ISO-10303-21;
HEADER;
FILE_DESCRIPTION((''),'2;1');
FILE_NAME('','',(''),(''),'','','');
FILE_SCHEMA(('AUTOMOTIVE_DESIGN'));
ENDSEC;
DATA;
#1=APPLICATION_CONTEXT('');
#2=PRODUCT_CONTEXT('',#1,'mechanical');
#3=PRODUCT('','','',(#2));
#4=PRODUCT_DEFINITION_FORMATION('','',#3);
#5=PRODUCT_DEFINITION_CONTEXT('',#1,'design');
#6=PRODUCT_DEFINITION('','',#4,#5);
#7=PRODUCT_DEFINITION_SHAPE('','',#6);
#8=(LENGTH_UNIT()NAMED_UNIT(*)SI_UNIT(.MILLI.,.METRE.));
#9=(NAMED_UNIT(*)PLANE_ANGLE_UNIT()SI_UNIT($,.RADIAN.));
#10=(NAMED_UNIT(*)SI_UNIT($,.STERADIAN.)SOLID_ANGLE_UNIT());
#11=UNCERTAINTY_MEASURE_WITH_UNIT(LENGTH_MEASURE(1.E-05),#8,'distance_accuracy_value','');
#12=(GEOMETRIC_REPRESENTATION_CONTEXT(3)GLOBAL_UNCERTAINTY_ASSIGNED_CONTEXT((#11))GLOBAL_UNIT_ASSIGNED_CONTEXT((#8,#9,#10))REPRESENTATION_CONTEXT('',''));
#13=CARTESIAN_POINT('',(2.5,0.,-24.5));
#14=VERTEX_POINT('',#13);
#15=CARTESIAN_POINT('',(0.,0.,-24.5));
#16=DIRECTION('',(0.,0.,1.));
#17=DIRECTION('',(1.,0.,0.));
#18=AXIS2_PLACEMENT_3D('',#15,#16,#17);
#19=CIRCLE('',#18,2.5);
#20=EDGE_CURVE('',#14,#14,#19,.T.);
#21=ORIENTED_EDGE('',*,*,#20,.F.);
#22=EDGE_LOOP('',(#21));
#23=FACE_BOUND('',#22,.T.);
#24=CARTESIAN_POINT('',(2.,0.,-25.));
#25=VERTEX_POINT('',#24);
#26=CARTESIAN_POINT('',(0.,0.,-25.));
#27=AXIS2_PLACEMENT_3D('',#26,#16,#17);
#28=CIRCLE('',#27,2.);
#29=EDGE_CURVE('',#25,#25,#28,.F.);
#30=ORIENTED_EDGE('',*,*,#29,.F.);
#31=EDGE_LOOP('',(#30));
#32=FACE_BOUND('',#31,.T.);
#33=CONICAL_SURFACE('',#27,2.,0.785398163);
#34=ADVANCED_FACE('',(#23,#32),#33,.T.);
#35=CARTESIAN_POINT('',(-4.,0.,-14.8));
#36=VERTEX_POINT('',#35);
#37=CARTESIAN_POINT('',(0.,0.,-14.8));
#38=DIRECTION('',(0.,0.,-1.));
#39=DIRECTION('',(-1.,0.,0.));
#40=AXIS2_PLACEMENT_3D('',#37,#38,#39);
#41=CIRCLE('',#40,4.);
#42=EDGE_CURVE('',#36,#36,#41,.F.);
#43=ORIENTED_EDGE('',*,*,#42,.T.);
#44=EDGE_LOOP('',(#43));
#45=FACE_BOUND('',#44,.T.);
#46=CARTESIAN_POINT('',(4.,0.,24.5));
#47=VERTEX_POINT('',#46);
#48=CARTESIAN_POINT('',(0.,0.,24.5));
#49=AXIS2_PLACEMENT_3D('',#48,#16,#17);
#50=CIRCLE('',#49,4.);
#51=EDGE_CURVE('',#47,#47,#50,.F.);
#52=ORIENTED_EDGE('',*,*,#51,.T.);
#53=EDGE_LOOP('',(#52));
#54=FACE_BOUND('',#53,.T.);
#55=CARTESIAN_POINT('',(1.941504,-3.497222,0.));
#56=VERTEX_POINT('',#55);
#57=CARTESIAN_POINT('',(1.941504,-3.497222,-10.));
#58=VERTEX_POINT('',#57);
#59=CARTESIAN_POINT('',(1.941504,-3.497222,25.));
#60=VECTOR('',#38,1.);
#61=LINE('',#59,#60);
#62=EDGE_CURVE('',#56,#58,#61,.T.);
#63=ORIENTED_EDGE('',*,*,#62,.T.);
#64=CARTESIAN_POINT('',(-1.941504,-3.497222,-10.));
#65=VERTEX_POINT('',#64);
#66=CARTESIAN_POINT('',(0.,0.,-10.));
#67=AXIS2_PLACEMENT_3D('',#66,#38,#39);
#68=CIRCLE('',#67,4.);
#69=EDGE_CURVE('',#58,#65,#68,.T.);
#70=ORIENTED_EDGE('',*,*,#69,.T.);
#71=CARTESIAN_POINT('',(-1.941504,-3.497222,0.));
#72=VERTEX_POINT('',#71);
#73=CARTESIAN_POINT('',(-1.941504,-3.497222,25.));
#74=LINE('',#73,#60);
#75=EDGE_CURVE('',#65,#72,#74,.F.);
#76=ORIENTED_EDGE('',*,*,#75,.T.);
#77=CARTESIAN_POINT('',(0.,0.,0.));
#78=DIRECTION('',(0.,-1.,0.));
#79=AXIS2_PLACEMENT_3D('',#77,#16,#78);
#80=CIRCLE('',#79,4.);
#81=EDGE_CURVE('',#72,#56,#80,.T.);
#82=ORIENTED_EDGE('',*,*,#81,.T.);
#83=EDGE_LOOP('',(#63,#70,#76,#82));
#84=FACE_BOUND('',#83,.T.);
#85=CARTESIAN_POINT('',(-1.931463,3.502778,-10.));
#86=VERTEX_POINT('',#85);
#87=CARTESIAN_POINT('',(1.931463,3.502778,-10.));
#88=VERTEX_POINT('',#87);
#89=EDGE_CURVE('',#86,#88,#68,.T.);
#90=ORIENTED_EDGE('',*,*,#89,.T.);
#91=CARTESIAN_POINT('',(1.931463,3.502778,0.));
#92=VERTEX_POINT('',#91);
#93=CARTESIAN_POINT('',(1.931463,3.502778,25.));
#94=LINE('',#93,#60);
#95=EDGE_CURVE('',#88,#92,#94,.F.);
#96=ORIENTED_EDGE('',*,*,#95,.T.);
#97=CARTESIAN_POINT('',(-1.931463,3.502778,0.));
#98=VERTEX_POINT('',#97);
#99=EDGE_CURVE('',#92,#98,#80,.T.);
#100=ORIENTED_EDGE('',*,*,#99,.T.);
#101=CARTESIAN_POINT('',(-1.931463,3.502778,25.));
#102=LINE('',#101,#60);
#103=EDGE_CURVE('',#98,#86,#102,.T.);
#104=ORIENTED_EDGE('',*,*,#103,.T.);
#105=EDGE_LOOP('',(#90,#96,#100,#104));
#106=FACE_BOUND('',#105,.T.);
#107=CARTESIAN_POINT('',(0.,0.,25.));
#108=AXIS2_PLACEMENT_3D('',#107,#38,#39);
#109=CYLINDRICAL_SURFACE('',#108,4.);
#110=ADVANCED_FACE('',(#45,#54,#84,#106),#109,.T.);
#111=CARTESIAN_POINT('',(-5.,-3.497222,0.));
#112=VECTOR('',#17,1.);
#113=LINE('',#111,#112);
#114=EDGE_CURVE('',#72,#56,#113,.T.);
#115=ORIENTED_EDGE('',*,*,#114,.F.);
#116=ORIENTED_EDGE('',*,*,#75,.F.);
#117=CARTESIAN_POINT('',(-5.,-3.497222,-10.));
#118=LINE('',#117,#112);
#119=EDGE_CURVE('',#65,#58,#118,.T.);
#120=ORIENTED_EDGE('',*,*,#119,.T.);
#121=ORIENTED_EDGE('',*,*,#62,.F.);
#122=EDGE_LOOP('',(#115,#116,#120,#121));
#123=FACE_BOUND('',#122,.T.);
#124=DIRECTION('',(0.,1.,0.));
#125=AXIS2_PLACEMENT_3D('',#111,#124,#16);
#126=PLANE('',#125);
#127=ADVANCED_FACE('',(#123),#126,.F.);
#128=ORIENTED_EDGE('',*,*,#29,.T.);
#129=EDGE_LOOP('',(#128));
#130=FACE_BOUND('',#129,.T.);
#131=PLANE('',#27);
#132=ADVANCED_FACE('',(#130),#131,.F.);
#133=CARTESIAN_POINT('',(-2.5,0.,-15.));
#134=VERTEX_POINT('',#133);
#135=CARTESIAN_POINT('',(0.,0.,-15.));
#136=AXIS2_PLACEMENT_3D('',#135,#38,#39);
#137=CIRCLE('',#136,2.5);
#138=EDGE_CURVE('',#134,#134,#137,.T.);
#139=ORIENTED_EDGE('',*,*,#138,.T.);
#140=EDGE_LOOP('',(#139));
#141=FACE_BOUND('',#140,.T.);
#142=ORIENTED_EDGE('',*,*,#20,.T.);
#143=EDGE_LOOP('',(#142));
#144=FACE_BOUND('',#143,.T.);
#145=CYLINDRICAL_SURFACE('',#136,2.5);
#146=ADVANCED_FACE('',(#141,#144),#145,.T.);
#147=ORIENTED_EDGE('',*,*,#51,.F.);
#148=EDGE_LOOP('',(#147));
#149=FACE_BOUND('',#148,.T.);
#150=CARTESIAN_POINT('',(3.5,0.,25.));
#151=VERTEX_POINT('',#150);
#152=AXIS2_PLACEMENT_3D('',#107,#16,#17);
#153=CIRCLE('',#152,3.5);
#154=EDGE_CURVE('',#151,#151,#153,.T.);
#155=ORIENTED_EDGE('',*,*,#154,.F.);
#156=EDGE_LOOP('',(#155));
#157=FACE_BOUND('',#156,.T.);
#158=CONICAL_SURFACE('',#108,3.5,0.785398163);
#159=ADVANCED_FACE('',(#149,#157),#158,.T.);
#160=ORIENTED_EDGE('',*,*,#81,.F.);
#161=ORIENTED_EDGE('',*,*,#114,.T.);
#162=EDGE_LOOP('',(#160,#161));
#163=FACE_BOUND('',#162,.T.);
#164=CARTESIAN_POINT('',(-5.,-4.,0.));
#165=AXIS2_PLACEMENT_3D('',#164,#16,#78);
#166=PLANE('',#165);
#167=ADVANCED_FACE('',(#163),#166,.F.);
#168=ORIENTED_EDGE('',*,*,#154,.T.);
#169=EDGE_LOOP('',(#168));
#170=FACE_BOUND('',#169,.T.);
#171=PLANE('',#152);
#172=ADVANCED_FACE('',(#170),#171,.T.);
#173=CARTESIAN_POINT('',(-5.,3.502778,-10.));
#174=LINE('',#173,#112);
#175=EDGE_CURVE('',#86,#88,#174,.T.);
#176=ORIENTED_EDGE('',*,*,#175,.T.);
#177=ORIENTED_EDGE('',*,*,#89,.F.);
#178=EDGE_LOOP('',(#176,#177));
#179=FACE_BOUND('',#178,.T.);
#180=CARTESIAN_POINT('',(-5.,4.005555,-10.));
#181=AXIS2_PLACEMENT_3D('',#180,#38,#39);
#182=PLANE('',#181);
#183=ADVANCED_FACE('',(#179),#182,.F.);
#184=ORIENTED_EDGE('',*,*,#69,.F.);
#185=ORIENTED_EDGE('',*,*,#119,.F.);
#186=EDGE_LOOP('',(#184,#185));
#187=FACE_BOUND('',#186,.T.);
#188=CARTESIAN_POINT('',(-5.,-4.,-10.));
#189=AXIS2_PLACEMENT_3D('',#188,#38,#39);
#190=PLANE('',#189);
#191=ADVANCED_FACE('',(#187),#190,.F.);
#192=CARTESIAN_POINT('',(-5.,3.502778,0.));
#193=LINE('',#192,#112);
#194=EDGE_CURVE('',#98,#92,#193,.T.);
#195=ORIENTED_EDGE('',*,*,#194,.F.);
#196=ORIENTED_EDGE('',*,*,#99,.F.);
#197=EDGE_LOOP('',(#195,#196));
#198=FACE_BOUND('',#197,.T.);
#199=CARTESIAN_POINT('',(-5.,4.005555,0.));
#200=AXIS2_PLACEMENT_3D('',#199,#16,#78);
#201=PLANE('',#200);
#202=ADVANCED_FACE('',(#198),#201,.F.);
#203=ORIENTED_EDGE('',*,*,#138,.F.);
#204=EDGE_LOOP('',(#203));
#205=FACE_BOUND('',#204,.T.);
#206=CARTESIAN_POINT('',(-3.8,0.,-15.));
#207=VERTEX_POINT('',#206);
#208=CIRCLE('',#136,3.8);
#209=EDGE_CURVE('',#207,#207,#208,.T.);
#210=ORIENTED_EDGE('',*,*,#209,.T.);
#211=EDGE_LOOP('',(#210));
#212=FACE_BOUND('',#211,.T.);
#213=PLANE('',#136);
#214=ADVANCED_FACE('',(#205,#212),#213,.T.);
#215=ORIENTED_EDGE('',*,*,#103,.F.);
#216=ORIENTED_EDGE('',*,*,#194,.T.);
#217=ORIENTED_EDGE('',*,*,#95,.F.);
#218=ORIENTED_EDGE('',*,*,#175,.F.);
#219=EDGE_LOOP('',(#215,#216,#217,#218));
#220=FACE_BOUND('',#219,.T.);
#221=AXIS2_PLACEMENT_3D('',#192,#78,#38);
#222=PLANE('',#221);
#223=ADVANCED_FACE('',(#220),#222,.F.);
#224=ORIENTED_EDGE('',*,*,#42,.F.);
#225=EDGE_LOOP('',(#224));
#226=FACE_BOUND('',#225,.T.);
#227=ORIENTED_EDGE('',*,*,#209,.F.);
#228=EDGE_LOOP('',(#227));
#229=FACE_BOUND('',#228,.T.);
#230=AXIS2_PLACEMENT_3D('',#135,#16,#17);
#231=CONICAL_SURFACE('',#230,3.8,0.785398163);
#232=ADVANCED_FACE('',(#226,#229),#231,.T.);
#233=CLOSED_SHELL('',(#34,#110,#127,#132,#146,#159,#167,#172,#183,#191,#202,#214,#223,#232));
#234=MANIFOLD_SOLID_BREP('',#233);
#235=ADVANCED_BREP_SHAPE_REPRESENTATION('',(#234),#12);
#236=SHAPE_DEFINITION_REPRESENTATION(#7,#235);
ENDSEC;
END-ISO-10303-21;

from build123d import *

# Parameters (mm, degrees)
SKETCH_1_R          = 4
EXTRUDE_1_DEPTH     = 25
CUT_EXTRUDE_START   = -10
SKETCH_2_R          = 4
SKETCH_2_R_2        = 2.5
CUT_EXTRUDE_1_DEPTH = 10
CHAMFER_1_SIZE      = 0.5
CHAMFER_2_SIZE      = 0.2
SKETCH_3_W          = 10
SKETCH_3_H          = 0.502777741
SKETCH_3_H_2        = 0.50277774
CUT_EXTRUDE_2_DEPTH = 5
CHAMFER_3_SIZE      = 0.5


with BuildPart() as part:
    # 草圖1 → 填料-伸長1 (new, symmetric)
    with BuildSketch(Plane.XY):
        Circle(SKETCH_1_R)
    extrude(amount=EXTRUDE_1_DEPTH, both=True)

    # 草圖2 → 除料-伸長1 (cut)
    with BuildSketch(Plane(origin=(0, 0, -25), x_dir=(-1, 0, 0), z_dir=(0, 0, -1)).offset(CUT_EXTRUDE_START)):
        Circle(SKETCH_2_R)
        Circle(SKETCH_2_R_2, mode=Mode.SUBTRACT)
    extrude(amount=CUT_EXTRUDE_1_DEPTH, mode=Mode.SUBTRACT)

    # 導角1
    chamfer_1_edges = [part.edges().sort_by_distance(p)[0] for p in [
        (2.5, 0, -25),
    ]]
    chamfer(chamfer_1_edges, length=CHAMFER_1_SIZE)

    # 導角2
    chamfer_2_edges = [part.edges().sort_by_distance(p)[0] for p in [
        (-4, 0, -15),
    ]]
    chamfer(chamfer_2_edges, length=CHAMFER_2_SIZE)

    # 草圖3 → 除料-伸長2 (cut, symmetric)
    with BuildSketch(Plane(origin=(0, 0, 0), x_dir=(0, 0, -1), z_dir=(1, 0, 0))):
        with Locations((5, 3.754166611)):
            Rectangle(SKETCH_3_W, SKETCH_3_H)
        with Locations((5, -3.74861113)):
            Rectangle(SKETCH_3_W, SKETCH_3_H_2)
    extrude(amount=CUT_EXTRUDE_2_DEPTH, both=True, mode=Mode.SUBTRACT)

    # 導角3
    chamfer_3_edges = [part.edges().sort_by_distance(p)[0] for p in [
        (-4, 0, 25),
    ]]
    chamfer(chamfer_3_edges, length=CHAMFER_3_SIZE)


solid = part.part
